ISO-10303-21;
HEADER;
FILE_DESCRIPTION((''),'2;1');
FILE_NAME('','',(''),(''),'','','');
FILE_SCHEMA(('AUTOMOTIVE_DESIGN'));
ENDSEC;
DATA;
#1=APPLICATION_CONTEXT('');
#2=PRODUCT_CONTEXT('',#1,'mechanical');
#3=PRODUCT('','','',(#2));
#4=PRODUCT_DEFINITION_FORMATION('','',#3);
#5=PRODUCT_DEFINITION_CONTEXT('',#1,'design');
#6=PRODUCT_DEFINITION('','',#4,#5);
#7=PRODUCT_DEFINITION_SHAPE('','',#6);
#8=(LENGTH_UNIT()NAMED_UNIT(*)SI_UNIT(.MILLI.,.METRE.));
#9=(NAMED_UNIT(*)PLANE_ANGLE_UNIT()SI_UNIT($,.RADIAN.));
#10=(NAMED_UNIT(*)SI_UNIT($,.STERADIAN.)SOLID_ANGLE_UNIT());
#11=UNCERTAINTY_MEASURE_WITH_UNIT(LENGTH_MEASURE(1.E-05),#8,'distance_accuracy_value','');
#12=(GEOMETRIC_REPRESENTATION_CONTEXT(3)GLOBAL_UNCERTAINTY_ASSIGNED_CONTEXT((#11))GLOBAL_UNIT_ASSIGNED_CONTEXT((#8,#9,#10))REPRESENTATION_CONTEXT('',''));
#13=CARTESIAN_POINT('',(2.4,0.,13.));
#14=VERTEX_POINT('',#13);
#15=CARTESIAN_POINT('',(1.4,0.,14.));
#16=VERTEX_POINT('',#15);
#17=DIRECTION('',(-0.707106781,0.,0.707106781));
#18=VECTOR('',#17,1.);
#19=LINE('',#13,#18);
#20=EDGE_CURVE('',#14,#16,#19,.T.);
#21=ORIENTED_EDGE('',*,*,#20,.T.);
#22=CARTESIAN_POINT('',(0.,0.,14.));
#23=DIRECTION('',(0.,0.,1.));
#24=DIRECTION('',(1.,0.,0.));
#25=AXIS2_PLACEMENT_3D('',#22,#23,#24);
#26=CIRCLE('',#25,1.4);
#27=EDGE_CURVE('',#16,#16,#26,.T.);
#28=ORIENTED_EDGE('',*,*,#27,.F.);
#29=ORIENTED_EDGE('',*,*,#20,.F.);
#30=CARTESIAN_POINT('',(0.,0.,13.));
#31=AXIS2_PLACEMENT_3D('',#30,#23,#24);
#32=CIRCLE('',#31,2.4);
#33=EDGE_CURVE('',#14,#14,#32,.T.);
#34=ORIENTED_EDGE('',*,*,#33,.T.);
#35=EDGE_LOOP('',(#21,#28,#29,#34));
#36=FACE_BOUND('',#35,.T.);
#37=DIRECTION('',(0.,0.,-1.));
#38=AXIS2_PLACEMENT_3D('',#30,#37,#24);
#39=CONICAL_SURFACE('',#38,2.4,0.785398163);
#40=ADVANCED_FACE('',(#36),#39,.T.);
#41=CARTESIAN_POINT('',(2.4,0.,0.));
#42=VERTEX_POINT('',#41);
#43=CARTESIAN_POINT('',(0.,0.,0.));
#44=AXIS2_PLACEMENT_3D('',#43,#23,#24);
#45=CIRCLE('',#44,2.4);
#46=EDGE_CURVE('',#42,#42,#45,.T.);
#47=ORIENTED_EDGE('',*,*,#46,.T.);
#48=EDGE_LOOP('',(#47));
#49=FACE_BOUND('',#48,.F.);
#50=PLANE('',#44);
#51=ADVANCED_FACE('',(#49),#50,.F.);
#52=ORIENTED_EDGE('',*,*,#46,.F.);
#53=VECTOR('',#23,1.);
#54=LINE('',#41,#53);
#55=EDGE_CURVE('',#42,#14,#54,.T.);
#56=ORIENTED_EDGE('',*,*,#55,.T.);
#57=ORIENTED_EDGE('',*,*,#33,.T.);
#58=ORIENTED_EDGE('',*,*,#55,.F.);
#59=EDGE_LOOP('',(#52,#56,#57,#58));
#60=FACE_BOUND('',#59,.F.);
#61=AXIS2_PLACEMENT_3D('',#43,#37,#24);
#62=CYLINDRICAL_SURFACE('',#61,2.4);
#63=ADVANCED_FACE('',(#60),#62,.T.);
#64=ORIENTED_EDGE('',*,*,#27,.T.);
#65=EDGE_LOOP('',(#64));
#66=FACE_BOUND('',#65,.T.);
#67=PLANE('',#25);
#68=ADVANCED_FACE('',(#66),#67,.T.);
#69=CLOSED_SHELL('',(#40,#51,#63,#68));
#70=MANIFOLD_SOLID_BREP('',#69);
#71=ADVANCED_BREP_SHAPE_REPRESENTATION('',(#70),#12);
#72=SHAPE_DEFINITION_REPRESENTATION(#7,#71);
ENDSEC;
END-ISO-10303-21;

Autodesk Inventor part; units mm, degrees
ref_plane "YZ Plane" through (0, 0, 0) normal (1, 0, 0) x (0, 1, 0)
ref_plane "XZ Plane" through (0, 0, 0) normal (0, 1, 0) x (-1, 0, 0)
ref_plane "XY Plane" through (0, 0, 0) normal (0, 0, 1) x (1, 0, 0)
sketch "Sketch1" plane through (0, 0, 0) normal (0, 0, 1) x (1, 0, 0)
  circle A0 centre (0, 0) radius 2.4
  dimension "d0" = 4.8
extrude "Extrusion1" add sketch "Sketch1" along normal blind 14
chamfer "Chamfer1" distance 1 angle 45 1 edges at (-2.4, 0, 14)
properties part number "joint_part_black_8"
